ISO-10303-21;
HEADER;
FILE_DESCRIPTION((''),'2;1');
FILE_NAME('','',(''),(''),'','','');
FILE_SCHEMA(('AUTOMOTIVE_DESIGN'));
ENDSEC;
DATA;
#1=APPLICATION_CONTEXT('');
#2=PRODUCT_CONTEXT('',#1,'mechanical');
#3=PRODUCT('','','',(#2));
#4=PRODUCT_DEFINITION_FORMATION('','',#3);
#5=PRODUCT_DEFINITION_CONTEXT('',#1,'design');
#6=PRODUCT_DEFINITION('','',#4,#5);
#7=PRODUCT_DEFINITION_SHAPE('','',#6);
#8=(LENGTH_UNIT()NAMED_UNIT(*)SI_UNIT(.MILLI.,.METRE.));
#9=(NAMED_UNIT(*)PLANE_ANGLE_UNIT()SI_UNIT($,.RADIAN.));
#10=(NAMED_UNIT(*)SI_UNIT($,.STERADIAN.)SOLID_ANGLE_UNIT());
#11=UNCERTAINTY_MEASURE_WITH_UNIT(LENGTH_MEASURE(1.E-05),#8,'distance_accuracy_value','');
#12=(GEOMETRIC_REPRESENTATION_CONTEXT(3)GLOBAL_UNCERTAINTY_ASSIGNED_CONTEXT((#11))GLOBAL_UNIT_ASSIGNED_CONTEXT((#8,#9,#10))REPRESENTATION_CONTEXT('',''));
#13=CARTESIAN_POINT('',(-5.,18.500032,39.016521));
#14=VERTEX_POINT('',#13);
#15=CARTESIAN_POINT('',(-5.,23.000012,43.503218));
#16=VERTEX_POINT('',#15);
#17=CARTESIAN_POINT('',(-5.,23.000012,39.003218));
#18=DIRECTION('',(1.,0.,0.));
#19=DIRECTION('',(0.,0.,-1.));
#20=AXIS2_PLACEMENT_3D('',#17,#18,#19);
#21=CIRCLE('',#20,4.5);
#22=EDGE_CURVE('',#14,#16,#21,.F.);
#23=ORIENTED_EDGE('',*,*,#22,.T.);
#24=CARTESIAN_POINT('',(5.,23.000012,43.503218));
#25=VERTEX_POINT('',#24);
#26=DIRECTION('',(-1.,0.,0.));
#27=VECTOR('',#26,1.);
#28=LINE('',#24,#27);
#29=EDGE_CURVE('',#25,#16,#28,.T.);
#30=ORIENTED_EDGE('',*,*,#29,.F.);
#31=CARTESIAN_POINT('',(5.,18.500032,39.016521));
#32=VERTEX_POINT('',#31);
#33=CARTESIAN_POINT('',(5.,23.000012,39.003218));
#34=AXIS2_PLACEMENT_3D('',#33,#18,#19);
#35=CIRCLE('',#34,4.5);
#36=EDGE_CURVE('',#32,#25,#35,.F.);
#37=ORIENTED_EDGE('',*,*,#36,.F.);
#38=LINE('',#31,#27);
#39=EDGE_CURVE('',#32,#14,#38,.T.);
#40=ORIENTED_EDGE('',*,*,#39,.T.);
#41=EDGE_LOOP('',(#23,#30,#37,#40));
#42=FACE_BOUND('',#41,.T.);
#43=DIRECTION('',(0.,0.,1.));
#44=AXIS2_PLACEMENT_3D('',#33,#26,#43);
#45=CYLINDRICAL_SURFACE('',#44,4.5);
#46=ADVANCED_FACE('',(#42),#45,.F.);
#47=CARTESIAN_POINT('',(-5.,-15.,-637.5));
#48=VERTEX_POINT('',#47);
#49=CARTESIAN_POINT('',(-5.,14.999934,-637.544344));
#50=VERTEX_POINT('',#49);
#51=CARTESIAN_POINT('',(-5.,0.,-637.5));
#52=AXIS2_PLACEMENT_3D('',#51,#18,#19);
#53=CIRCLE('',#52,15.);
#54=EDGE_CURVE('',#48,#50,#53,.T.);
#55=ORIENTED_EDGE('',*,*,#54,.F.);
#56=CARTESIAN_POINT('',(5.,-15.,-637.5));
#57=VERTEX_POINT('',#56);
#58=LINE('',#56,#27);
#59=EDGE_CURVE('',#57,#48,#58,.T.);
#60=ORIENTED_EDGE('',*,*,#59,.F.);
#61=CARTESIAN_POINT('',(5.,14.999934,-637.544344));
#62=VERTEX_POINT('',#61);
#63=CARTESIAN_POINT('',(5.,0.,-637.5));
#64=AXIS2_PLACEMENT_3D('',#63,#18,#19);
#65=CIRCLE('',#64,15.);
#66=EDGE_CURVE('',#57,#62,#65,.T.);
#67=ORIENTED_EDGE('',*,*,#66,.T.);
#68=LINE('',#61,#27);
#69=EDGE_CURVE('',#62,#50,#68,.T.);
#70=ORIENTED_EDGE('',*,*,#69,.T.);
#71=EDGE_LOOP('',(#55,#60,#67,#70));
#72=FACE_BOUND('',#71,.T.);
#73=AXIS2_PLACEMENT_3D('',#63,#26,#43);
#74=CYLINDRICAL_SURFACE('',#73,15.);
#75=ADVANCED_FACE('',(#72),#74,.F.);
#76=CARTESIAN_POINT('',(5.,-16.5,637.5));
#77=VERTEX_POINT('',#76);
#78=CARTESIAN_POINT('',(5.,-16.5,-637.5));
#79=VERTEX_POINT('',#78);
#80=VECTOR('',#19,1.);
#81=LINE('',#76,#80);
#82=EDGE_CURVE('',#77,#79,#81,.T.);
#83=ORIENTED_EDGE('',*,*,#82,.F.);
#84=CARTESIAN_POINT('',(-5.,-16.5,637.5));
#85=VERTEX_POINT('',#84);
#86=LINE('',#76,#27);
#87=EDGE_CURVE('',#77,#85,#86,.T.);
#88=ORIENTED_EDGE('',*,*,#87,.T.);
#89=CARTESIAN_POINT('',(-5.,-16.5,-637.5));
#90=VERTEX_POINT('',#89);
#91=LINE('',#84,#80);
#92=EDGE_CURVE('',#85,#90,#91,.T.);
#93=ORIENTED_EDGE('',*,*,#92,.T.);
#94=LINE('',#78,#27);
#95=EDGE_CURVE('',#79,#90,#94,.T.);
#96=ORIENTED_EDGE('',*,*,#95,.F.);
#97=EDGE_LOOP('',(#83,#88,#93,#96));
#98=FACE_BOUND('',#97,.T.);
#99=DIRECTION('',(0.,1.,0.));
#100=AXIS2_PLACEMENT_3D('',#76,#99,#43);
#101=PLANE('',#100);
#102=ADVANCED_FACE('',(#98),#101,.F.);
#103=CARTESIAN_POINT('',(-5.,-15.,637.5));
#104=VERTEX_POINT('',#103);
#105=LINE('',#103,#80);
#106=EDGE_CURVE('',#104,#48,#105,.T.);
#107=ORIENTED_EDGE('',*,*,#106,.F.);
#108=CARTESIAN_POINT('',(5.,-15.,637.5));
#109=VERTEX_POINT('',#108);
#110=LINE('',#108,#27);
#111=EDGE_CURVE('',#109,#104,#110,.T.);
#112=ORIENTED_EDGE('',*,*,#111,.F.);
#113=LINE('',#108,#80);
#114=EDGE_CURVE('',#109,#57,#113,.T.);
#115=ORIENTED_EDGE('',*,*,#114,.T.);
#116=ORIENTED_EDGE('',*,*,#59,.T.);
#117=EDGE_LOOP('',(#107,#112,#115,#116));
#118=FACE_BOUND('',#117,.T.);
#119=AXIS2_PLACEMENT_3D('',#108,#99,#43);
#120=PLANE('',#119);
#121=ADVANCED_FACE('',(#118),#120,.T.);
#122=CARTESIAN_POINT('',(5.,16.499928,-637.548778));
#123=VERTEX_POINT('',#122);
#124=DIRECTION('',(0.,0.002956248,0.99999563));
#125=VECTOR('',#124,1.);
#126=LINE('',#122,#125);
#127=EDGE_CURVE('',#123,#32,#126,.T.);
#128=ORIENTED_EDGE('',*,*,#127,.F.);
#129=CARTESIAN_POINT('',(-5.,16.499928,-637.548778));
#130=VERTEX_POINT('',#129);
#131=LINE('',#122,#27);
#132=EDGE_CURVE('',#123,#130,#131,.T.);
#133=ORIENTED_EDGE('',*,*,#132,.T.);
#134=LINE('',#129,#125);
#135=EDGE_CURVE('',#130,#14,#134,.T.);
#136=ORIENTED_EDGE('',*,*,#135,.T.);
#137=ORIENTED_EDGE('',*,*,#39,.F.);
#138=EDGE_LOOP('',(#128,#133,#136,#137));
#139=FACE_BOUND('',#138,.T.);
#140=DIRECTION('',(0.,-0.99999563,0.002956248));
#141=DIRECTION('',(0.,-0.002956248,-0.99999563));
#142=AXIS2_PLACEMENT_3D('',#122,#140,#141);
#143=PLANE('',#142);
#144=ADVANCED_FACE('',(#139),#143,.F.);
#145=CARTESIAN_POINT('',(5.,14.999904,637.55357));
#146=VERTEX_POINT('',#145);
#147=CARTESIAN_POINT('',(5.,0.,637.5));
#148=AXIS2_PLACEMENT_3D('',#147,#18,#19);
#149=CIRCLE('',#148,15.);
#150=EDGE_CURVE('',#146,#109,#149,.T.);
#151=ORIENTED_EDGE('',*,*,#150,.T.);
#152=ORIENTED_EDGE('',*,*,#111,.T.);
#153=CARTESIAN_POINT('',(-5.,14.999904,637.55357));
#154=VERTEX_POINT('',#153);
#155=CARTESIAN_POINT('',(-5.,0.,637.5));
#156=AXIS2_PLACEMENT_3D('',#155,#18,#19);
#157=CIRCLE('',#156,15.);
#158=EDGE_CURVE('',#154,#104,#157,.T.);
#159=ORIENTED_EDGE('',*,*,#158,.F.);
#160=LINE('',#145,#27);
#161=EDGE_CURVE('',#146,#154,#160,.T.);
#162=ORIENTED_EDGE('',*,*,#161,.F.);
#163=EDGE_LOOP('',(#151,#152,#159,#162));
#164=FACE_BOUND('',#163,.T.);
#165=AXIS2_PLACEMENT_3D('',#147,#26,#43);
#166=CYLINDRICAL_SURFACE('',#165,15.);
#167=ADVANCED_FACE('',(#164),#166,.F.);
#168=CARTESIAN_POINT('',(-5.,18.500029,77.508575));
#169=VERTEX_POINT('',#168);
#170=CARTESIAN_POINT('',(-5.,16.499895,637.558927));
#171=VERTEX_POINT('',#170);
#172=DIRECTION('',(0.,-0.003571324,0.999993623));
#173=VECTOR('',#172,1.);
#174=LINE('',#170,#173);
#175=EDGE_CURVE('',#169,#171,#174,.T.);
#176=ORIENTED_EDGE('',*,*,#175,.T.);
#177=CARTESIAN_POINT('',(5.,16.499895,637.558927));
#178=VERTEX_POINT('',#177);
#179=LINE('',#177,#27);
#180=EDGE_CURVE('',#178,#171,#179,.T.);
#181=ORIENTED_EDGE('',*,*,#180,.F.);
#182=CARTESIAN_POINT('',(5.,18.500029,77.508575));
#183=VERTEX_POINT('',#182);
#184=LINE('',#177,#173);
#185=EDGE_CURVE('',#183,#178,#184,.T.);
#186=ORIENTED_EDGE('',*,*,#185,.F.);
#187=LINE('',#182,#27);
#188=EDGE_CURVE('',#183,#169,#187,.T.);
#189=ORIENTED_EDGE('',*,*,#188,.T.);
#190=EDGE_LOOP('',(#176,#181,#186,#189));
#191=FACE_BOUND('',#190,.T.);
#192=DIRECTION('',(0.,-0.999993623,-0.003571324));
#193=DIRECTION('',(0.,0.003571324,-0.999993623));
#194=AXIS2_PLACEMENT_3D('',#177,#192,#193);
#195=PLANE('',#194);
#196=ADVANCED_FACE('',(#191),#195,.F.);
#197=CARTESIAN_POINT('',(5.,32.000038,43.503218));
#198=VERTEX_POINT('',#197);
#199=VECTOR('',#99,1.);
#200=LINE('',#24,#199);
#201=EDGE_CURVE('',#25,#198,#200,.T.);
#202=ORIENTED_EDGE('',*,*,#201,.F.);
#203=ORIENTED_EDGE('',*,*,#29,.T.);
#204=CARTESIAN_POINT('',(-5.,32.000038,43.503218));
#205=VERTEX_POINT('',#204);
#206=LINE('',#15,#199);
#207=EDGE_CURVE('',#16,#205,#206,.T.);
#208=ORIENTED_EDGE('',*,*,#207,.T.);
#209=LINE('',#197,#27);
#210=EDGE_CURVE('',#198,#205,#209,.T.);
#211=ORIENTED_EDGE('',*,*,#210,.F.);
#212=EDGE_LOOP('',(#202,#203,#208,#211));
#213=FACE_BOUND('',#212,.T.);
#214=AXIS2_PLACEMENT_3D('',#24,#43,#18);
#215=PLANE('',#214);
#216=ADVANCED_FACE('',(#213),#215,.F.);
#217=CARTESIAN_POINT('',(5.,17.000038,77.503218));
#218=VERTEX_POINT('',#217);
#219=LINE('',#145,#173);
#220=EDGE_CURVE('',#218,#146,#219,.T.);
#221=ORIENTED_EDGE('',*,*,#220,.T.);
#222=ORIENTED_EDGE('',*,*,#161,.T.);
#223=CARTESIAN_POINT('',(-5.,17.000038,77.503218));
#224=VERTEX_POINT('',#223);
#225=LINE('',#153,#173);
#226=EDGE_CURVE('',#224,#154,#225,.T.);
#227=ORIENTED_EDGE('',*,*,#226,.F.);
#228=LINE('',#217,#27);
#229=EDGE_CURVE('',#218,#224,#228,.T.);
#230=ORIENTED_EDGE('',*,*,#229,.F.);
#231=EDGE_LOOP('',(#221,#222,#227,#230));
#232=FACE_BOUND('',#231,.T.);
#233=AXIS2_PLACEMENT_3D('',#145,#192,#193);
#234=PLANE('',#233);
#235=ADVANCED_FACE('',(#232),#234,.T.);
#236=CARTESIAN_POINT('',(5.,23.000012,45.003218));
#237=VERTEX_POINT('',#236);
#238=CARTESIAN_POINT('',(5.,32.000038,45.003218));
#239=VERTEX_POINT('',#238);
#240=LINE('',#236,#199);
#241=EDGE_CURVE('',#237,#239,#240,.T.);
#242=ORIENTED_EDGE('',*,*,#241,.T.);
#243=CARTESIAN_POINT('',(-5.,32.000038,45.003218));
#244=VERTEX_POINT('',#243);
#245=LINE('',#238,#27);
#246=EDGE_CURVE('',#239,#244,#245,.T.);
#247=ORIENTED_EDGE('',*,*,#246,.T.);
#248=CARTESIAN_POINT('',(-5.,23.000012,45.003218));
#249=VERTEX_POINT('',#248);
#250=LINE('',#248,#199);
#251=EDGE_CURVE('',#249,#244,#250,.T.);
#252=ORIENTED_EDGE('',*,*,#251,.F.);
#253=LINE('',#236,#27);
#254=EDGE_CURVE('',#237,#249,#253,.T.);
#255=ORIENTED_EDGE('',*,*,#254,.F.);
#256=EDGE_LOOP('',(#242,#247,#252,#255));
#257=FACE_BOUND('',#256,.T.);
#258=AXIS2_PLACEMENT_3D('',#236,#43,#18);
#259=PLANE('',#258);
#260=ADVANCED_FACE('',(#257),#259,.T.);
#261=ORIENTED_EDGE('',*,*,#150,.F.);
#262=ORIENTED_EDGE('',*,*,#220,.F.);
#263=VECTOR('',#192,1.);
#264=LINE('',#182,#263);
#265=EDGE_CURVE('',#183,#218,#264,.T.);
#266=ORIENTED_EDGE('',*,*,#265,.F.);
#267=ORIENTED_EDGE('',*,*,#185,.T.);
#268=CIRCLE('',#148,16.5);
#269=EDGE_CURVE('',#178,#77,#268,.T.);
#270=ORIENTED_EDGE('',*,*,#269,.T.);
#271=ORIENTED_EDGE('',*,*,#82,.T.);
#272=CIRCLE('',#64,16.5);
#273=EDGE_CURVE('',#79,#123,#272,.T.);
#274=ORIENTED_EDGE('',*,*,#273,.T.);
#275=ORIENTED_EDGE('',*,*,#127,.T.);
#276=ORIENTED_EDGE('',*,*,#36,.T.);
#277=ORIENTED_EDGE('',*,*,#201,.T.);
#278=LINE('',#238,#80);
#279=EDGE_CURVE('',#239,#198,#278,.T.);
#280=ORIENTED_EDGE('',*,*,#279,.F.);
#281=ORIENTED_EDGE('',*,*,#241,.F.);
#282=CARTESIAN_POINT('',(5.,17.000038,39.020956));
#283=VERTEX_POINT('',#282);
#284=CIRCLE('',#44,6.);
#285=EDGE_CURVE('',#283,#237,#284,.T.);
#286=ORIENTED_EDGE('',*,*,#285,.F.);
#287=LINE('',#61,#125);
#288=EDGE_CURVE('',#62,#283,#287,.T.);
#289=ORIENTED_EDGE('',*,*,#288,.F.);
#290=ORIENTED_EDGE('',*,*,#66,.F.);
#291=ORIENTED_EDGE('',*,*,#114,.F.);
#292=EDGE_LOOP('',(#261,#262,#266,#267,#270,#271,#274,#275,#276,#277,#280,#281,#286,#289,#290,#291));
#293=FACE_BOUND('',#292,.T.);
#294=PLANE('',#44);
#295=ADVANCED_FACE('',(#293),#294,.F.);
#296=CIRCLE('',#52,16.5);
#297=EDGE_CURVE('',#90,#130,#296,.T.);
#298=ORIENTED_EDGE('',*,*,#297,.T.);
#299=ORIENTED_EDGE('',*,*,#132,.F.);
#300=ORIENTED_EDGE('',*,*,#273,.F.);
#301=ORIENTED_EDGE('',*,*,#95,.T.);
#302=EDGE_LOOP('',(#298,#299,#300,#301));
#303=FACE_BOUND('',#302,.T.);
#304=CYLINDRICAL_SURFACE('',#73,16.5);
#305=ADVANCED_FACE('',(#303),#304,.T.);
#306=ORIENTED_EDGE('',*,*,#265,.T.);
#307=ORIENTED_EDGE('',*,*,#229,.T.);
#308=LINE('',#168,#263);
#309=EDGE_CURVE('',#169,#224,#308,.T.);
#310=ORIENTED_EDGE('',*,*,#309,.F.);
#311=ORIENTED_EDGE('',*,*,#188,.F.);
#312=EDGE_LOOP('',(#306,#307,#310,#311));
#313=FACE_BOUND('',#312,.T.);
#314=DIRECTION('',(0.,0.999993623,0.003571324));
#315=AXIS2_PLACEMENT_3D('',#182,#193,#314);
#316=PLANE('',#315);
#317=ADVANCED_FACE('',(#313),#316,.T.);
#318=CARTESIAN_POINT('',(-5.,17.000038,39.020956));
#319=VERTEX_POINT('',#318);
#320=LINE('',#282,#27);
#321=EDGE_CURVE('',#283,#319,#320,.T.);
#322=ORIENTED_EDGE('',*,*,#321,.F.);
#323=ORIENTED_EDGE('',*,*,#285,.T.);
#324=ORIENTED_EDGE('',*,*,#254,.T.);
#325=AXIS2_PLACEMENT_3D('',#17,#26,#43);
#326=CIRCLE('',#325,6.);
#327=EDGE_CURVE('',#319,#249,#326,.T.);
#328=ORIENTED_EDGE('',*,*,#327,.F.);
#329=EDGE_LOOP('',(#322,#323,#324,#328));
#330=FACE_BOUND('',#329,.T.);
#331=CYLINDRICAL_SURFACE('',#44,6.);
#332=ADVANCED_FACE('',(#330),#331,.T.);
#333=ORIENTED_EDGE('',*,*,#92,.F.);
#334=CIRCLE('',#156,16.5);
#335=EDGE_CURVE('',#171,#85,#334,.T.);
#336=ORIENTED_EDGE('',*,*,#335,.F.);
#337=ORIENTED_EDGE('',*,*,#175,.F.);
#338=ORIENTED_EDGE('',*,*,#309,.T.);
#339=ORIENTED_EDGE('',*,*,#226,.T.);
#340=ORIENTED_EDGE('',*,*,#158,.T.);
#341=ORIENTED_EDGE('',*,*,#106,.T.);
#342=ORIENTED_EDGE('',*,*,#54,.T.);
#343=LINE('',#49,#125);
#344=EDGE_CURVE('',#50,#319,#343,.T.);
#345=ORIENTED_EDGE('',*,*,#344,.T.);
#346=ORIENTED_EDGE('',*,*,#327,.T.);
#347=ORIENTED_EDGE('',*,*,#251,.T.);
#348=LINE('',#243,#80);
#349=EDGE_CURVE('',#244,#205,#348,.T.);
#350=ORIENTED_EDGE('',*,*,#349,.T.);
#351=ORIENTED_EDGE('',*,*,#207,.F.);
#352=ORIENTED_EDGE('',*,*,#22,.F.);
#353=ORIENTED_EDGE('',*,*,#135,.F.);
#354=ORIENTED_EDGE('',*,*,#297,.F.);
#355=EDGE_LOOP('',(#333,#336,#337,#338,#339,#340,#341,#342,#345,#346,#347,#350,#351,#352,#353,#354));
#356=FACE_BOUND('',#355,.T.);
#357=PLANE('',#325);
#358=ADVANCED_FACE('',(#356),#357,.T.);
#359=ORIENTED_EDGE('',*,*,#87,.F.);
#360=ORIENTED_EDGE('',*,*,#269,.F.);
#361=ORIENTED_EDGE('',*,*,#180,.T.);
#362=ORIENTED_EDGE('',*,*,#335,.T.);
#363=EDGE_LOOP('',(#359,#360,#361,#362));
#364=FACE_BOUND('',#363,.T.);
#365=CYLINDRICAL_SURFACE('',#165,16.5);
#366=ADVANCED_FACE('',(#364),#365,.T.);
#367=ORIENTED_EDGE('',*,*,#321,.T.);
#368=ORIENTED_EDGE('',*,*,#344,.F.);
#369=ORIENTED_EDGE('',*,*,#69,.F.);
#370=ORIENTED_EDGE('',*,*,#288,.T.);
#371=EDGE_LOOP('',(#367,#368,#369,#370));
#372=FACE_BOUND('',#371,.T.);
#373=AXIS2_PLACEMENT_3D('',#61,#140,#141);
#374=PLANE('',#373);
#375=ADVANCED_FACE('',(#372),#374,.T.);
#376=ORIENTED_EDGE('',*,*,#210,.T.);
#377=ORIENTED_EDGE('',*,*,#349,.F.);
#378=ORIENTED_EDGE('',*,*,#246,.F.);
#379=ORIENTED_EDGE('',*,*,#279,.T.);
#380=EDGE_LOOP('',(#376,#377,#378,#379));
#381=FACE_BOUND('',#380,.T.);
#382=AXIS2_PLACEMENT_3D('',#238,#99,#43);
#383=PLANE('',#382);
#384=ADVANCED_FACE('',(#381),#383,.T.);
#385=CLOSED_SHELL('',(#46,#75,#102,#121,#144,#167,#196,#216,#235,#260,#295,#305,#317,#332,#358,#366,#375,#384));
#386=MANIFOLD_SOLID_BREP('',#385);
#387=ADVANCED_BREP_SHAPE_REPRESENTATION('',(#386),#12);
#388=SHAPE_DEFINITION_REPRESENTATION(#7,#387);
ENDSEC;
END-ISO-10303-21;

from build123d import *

# Parameters (mm, degrees)
EXTRUDE_THIN1_DEPTH = 5


with BuildPart() as part:
    # Sketch1 → Extrude-Thin1 (new, symmetric)
    with BuildSketch(Plane(origin=(0, 0, 0), x_dir=(0, 0, -1), z_dir=(1, 0, 0))):
        with BuildLine():
            Line((-77.503218133, 17.000038263), (-637.553569857, 14.999904342))
            ThreePointArc((-637.553569857, 14.999904342), (-652.499976085, -0.026784971), (-637.5, -15))
            Line((-637.5, -15), (637.5, -15))
            ThreePointArc((637.5, -15), (652.499983614, -0.022171887), (637.544343726, 14.999934454))
            Line((637.544343726, 14.999934454), (-39.020955624, 17.000038263))
            ThreePointArc((-39.020955624, 17.000038263), (-43.252125342, 18.763647149), (-45.003218133, 23.000012045))
            Line((-45.003218133, 23.000012045), (-45.003218133, 32.000038263))
            Line((-45.003218133, 32.000038263), (-43.503218133, 32.000038263))
            Line((-43.503218133, 32.000038263), (-43.503218133, 23.000012045))
            ThreePointArc((-43.503218133, 23.000012045), (-42.18989854, 19.822738373), (-39.016521251, 18.500031709))
            Line((-39.016521251, 18.500031709), (637.548778098, 16.4999279))
            ThreePointArc((637.548778098, 16.4999279), (653.999981975, -0.024389076), (637.5, -16.5))
            Line((637.5, -16.5), (-637.5, -16.5))
            ThreePointArc((-637.5, -16.5), (-653.999973694, -0.029463469), (-637.558926843, 16.499894776))
            Line((-637.558926843, 16.499894776), (-77.508575119, 18.500028697))
            Line((-77.508575119, 18.500028697), (-77.503218133, 17.000038263))
        make_face()
    extrude(amount=EXTRUDE_THIN1_DEPTH, both=True)


solid = part.part
